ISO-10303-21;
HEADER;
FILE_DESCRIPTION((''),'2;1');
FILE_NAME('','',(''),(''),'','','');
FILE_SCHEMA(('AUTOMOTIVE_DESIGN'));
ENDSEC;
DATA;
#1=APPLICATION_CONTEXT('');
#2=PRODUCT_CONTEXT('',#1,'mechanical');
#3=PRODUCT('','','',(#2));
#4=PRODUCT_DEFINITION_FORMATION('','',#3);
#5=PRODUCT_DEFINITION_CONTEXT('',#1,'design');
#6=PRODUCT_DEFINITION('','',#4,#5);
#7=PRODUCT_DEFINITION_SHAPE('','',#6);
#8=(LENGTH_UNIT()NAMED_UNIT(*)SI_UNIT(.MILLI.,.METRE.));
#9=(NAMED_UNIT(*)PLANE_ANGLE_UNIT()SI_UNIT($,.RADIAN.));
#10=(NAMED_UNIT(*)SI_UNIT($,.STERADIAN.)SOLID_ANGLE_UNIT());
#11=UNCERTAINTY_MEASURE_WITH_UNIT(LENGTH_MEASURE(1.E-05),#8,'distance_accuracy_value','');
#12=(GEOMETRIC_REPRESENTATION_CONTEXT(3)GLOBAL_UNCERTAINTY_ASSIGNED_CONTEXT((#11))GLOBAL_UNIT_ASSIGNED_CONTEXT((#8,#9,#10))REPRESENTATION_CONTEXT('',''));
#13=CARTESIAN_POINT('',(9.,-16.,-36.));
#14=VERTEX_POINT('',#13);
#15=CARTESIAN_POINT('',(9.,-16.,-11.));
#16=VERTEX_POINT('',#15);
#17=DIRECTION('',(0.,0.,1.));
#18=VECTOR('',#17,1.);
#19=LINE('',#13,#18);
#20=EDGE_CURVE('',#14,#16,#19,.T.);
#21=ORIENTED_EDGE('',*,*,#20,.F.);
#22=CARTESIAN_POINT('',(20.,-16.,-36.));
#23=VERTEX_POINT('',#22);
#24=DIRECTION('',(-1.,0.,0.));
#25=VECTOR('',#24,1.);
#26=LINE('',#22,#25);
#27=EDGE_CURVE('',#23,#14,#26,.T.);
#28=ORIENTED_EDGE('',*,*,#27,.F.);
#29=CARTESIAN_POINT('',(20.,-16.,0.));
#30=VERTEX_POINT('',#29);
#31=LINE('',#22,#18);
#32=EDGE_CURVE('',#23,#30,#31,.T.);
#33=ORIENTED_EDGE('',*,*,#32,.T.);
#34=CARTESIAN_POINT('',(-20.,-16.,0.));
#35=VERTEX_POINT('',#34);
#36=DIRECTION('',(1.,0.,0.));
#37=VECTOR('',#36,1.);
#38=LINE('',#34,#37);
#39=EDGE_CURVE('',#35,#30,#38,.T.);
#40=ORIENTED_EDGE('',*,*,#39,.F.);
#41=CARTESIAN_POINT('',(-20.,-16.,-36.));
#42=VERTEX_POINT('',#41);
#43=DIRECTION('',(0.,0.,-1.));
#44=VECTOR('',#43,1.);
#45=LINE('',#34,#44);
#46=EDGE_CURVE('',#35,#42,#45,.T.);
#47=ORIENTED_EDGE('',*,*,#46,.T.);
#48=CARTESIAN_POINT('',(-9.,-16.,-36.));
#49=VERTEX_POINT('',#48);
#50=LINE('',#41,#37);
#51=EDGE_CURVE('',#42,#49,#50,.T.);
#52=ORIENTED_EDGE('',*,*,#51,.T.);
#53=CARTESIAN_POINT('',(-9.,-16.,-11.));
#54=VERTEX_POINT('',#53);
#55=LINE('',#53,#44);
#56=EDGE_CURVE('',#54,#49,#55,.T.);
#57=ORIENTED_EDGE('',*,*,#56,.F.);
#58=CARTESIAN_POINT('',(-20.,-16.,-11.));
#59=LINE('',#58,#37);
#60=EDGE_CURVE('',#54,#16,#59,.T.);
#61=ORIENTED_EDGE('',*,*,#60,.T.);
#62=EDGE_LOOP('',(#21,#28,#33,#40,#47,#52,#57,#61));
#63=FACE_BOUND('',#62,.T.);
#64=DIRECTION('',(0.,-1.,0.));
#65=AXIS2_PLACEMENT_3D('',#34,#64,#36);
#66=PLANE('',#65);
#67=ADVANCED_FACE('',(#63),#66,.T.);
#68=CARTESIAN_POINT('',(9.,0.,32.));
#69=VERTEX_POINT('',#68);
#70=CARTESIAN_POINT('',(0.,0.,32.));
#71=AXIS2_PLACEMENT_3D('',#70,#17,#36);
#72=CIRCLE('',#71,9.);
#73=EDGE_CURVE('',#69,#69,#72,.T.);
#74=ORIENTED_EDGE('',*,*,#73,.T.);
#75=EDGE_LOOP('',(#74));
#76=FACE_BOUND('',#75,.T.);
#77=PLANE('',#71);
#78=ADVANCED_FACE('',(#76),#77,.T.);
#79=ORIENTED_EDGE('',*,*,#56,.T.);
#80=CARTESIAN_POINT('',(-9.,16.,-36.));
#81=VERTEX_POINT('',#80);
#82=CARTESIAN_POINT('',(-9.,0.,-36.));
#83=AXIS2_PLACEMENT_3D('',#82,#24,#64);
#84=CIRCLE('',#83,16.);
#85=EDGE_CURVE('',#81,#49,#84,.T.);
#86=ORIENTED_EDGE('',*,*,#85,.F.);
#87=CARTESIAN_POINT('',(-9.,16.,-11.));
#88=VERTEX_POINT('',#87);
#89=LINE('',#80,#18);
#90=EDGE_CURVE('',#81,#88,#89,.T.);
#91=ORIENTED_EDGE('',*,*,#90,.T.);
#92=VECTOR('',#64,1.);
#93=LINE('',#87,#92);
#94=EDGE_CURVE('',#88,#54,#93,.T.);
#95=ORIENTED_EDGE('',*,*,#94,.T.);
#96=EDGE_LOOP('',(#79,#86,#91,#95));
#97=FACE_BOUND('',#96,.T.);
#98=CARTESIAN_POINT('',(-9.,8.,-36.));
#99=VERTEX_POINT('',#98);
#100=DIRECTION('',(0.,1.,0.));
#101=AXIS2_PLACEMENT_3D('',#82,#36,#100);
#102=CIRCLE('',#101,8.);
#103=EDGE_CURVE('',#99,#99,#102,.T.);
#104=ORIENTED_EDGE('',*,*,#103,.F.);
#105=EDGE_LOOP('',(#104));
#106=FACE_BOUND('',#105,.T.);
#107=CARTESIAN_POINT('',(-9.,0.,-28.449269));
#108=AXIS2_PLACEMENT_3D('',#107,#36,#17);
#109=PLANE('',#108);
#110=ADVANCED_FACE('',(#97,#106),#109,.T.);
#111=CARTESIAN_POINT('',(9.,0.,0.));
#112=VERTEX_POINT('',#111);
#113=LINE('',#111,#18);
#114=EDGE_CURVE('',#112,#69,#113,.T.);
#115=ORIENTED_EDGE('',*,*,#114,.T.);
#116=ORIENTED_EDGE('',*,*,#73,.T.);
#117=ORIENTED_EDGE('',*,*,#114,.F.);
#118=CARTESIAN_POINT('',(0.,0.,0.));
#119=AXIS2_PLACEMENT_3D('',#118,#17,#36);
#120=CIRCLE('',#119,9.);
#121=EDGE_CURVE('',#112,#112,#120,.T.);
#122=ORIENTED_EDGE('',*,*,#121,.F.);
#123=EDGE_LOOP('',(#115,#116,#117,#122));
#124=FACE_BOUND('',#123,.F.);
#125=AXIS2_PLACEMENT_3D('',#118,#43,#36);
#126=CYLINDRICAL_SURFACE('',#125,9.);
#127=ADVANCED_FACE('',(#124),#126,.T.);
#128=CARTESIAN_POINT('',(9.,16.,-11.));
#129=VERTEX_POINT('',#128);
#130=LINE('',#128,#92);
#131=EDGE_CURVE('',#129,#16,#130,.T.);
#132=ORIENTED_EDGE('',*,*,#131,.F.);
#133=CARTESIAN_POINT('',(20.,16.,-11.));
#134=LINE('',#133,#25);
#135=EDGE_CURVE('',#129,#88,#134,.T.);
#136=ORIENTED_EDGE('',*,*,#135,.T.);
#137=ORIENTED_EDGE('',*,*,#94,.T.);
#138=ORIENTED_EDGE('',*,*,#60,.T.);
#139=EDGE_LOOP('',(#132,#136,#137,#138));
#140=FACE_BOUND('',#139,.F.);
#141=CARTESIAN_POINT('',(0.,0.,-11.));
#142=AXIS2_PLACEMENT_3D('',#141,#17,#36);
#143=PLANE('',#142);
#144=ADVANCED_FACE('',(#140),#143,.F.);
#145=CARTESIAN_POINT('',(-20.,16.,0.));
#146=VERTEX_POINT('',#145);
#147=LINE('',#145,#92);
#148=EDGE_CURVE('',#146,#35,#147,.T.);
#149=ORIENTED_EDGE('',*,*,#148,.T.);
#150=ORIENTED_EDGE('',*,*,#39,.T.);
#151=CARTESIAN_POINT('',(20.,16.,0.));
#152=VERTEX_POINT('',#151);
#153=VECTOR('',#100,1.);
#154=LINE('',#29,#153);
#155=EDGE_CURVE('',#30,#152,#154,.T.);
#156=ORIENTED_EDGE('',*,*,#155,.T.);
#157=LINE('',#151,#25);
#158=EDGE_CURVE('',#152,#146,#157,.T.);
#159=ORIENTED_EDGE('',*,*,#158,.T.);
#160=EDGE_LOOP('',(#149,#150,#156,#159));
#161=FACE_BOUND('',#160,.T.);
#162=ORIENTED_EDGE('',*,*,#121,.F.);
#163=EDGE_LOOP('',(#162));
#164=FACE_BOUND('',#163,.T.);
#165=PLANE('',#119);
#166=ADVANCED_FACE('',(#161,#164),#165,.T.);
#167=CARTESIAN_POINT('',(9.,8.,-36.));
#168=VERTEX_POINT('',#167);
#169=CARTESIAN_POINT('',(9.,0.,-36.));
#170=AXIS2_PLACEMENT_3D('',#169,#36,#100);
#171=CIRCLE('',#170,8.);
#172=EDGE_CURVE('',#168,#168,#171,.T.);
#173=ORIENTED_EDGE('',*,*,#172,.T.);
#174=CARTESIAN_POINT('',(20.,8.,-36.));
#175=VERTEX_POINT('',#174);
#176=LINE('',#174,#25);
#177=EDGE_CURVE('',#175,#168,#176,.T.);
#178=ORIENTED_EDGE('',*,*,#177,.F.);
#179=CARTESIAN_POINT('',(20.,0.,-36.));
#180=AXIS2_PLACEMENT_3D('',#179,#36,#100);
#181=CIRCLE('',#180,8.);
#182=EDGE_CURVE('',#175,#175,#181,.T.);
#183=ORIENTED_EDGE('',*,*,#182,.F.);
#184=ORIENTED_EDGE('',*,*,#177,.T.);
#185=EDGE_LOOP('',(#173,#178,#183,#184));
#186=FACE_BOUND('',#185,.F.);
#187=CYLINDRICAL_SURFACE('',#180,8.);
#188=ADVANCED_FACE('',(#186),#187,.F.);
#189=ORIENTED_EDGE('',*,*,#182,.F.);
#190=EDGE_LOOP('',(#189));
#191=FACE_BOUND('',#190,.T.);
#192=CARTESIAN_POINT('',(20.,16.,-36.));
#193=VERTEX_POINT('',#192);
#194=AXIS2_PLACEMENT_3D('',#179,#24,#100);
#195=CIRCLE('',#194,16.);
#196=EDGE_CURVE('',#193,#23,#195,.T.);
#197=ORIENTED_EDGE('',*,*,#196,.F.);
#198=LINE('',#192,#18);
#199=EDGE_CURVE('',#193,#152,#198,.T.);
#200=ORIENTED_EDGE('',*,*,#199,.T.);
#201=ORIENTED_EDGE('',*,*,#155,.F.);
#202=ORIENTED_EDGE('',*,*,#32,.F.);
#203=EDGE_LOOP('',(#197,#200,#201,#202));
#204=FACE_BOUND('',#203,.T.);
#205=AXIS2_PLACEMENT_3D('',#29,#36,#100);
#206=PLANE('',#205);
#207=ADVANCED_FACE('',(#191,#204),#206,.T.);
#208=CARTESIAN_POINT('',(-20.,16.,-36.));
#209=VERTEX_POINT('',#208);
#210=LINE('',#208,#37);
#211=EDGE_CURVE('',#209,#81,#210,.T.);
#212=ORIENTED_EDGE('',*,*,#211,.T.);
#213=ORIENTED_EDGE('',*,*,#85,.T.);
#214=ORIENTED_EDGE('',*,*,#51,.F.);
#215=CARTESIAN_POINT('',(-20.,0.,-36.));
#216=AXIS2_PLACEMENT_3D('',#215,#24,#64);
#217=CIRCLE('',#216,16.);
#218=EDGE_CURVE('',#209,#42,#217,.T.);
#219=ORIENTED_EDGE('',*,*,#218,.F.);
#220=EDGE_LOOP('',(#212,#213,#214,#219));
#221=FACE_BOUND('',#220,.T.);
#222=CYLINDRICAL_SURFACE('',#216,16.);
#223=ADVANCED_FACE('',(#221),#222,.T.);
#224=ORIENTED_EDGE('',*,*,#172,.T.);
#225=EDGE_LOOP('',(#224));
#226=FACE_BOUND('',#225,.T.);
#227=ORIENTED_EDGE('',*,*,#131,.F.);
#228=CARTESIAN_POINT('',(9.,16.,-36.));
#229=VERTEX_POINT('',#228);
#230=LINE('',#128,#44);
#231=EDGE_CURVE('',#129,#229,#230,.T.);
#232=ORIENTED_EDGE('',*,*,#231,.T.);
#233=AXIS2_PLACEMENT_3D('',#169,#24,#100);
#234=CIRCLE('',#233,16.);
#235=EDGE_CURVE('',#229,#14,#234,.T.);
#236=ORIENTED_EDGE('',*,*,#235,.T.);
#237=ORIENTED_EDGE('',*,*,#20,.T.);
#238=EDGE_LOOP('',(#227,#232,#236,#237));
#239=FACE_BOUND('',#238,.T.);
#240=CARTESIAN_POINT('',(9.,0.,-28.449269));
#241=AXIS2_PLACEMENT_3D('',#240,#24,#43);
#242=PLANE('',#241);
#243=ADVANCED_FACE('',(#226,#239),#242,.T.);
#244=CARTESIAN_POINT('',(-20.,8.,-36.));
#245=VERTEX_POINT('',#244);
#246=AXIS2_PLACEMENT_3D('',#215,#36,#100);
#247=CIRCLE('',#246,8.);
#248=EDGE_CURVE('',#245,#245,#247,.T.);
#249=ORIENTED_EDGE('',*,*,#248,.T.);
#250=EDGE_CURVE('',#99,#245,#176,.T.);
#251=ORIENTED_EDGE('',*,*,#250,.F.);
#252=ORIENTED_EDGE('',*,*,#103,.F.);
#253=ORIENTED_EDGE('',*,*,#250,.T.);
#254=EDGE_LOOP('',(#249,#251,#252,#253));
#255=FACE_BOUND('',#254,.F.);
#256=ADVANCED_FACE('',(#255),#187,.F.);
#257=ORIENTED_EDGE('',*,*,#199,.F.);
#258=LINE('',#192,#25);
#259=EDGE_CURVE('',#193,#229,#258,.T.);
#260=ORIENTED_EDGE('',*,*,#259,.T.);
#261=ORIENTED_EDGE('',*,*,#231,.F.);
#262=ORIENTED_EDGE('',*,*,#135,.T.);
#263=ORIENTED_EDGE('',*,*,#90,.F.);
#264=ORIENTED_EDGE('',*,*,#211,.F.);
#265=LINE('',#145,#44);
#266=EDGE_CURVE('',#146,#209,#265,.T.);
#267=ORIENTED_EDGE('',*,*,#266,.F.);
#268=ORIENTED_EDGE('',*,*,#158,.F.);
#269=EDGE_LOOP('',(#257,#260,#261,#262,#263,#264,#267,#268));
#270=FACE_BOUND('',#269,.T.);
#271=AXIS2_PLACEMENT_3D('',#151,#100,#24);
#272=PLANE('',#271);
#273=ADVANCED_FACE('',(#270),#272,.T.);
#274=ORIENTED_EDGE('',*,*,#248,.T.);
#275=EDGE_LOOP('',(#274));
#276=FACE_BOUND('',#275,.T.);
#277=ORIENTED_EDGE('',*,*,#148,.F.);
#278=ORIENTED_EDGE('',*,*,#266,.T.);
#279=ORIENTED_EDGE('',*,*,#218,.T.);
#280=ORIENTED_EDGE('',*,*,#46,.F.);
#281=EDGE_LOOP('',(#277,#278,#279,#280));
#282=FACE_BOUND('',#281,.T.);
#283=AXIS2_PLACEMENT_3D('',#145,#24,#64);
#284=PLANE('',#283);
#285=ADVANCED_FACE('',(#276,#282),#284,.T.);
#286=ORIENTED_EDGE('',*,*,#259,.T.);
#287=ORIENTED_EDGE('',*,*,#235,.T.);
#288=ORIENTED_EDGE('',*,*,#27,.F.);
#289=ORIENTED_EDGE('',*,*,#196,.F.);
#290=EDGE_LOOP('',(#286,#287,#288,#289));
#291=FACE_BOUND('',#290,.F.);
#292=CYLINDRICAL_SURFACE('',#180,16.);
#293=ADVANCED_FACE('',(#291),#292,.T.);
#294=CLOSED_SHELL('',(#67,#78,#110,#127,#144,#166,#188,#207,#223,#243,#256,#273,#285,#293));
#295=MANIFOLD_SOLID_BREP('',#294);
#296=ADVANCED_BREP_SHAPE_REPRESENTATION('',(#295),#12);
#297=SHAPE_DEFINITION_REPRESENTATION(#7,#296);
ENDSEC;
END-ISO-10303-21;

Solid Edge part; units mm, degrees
sketch "Sketch1" plane through (0, 0, 0) normal (0, 0, 1) x (1, 0, 0)
  line L0 (-20, -16) -> (20, -16)
  line L1 (20, -16) -> (20, 16)
  line L2 (20, 16) -> (-20, 16)
  line L3 (-20, 16) -> (-20, -16)
extrude "Protrusion1" add sketch "Sketch1" against normal blind 11
sketch "Sketch2" plane through (0, 0, 0) normal (0, 0, 1) x (1, 0, 0)
  circle A0 centre (0, 0) radius 9
extrude "ExtrudedProtrusion_2" add sketch "Sketch2" along normal blind 32
sketch "Sketch3" plane through (20, 0, -5.5) normal (1, 0, 0) x (0, 1, 0)
  line L0 (16, -5.5) -> (16, -30.5)
  arc A0 (16, -30.5) -> (-16, -30.5) centre (0, -30.5) cw
  line L1 (-16, -30.5) -> (-16, -5.5)
  line L2 (16, -5.5) -> (-16, -5.5)
extrude "ExtrudedProtrusion_3" add sketch "Sketch3" against normal blind 11
sketch "Sketch4" plane through (-20, 0, -5.5) normal (-1, 0, 0) x (0, -1, 0)
  line L0 (16, -5.5) -> (16, -30.5)
  arc A0 (-16, -30.5) -> (16, -30.5) centre (0, -30.5) ccw
  line L1 (-16, -30.5) -> (-16, -5.5)
  line L2 (-16, -5.5) -> (16, -5.5)
extrude "ExtrudedProtrusion_4" add sketch "Sketch4" against normal blind 11
sketch "Sketch5" plane through (20, 0, -26) normal (1, 0, 0) x (0, 1, 0)
  circle A0 centre (0, -10) radius 8
extrude "Cutout1" cut sketch "Sketch5" against normal blind 49.2294
